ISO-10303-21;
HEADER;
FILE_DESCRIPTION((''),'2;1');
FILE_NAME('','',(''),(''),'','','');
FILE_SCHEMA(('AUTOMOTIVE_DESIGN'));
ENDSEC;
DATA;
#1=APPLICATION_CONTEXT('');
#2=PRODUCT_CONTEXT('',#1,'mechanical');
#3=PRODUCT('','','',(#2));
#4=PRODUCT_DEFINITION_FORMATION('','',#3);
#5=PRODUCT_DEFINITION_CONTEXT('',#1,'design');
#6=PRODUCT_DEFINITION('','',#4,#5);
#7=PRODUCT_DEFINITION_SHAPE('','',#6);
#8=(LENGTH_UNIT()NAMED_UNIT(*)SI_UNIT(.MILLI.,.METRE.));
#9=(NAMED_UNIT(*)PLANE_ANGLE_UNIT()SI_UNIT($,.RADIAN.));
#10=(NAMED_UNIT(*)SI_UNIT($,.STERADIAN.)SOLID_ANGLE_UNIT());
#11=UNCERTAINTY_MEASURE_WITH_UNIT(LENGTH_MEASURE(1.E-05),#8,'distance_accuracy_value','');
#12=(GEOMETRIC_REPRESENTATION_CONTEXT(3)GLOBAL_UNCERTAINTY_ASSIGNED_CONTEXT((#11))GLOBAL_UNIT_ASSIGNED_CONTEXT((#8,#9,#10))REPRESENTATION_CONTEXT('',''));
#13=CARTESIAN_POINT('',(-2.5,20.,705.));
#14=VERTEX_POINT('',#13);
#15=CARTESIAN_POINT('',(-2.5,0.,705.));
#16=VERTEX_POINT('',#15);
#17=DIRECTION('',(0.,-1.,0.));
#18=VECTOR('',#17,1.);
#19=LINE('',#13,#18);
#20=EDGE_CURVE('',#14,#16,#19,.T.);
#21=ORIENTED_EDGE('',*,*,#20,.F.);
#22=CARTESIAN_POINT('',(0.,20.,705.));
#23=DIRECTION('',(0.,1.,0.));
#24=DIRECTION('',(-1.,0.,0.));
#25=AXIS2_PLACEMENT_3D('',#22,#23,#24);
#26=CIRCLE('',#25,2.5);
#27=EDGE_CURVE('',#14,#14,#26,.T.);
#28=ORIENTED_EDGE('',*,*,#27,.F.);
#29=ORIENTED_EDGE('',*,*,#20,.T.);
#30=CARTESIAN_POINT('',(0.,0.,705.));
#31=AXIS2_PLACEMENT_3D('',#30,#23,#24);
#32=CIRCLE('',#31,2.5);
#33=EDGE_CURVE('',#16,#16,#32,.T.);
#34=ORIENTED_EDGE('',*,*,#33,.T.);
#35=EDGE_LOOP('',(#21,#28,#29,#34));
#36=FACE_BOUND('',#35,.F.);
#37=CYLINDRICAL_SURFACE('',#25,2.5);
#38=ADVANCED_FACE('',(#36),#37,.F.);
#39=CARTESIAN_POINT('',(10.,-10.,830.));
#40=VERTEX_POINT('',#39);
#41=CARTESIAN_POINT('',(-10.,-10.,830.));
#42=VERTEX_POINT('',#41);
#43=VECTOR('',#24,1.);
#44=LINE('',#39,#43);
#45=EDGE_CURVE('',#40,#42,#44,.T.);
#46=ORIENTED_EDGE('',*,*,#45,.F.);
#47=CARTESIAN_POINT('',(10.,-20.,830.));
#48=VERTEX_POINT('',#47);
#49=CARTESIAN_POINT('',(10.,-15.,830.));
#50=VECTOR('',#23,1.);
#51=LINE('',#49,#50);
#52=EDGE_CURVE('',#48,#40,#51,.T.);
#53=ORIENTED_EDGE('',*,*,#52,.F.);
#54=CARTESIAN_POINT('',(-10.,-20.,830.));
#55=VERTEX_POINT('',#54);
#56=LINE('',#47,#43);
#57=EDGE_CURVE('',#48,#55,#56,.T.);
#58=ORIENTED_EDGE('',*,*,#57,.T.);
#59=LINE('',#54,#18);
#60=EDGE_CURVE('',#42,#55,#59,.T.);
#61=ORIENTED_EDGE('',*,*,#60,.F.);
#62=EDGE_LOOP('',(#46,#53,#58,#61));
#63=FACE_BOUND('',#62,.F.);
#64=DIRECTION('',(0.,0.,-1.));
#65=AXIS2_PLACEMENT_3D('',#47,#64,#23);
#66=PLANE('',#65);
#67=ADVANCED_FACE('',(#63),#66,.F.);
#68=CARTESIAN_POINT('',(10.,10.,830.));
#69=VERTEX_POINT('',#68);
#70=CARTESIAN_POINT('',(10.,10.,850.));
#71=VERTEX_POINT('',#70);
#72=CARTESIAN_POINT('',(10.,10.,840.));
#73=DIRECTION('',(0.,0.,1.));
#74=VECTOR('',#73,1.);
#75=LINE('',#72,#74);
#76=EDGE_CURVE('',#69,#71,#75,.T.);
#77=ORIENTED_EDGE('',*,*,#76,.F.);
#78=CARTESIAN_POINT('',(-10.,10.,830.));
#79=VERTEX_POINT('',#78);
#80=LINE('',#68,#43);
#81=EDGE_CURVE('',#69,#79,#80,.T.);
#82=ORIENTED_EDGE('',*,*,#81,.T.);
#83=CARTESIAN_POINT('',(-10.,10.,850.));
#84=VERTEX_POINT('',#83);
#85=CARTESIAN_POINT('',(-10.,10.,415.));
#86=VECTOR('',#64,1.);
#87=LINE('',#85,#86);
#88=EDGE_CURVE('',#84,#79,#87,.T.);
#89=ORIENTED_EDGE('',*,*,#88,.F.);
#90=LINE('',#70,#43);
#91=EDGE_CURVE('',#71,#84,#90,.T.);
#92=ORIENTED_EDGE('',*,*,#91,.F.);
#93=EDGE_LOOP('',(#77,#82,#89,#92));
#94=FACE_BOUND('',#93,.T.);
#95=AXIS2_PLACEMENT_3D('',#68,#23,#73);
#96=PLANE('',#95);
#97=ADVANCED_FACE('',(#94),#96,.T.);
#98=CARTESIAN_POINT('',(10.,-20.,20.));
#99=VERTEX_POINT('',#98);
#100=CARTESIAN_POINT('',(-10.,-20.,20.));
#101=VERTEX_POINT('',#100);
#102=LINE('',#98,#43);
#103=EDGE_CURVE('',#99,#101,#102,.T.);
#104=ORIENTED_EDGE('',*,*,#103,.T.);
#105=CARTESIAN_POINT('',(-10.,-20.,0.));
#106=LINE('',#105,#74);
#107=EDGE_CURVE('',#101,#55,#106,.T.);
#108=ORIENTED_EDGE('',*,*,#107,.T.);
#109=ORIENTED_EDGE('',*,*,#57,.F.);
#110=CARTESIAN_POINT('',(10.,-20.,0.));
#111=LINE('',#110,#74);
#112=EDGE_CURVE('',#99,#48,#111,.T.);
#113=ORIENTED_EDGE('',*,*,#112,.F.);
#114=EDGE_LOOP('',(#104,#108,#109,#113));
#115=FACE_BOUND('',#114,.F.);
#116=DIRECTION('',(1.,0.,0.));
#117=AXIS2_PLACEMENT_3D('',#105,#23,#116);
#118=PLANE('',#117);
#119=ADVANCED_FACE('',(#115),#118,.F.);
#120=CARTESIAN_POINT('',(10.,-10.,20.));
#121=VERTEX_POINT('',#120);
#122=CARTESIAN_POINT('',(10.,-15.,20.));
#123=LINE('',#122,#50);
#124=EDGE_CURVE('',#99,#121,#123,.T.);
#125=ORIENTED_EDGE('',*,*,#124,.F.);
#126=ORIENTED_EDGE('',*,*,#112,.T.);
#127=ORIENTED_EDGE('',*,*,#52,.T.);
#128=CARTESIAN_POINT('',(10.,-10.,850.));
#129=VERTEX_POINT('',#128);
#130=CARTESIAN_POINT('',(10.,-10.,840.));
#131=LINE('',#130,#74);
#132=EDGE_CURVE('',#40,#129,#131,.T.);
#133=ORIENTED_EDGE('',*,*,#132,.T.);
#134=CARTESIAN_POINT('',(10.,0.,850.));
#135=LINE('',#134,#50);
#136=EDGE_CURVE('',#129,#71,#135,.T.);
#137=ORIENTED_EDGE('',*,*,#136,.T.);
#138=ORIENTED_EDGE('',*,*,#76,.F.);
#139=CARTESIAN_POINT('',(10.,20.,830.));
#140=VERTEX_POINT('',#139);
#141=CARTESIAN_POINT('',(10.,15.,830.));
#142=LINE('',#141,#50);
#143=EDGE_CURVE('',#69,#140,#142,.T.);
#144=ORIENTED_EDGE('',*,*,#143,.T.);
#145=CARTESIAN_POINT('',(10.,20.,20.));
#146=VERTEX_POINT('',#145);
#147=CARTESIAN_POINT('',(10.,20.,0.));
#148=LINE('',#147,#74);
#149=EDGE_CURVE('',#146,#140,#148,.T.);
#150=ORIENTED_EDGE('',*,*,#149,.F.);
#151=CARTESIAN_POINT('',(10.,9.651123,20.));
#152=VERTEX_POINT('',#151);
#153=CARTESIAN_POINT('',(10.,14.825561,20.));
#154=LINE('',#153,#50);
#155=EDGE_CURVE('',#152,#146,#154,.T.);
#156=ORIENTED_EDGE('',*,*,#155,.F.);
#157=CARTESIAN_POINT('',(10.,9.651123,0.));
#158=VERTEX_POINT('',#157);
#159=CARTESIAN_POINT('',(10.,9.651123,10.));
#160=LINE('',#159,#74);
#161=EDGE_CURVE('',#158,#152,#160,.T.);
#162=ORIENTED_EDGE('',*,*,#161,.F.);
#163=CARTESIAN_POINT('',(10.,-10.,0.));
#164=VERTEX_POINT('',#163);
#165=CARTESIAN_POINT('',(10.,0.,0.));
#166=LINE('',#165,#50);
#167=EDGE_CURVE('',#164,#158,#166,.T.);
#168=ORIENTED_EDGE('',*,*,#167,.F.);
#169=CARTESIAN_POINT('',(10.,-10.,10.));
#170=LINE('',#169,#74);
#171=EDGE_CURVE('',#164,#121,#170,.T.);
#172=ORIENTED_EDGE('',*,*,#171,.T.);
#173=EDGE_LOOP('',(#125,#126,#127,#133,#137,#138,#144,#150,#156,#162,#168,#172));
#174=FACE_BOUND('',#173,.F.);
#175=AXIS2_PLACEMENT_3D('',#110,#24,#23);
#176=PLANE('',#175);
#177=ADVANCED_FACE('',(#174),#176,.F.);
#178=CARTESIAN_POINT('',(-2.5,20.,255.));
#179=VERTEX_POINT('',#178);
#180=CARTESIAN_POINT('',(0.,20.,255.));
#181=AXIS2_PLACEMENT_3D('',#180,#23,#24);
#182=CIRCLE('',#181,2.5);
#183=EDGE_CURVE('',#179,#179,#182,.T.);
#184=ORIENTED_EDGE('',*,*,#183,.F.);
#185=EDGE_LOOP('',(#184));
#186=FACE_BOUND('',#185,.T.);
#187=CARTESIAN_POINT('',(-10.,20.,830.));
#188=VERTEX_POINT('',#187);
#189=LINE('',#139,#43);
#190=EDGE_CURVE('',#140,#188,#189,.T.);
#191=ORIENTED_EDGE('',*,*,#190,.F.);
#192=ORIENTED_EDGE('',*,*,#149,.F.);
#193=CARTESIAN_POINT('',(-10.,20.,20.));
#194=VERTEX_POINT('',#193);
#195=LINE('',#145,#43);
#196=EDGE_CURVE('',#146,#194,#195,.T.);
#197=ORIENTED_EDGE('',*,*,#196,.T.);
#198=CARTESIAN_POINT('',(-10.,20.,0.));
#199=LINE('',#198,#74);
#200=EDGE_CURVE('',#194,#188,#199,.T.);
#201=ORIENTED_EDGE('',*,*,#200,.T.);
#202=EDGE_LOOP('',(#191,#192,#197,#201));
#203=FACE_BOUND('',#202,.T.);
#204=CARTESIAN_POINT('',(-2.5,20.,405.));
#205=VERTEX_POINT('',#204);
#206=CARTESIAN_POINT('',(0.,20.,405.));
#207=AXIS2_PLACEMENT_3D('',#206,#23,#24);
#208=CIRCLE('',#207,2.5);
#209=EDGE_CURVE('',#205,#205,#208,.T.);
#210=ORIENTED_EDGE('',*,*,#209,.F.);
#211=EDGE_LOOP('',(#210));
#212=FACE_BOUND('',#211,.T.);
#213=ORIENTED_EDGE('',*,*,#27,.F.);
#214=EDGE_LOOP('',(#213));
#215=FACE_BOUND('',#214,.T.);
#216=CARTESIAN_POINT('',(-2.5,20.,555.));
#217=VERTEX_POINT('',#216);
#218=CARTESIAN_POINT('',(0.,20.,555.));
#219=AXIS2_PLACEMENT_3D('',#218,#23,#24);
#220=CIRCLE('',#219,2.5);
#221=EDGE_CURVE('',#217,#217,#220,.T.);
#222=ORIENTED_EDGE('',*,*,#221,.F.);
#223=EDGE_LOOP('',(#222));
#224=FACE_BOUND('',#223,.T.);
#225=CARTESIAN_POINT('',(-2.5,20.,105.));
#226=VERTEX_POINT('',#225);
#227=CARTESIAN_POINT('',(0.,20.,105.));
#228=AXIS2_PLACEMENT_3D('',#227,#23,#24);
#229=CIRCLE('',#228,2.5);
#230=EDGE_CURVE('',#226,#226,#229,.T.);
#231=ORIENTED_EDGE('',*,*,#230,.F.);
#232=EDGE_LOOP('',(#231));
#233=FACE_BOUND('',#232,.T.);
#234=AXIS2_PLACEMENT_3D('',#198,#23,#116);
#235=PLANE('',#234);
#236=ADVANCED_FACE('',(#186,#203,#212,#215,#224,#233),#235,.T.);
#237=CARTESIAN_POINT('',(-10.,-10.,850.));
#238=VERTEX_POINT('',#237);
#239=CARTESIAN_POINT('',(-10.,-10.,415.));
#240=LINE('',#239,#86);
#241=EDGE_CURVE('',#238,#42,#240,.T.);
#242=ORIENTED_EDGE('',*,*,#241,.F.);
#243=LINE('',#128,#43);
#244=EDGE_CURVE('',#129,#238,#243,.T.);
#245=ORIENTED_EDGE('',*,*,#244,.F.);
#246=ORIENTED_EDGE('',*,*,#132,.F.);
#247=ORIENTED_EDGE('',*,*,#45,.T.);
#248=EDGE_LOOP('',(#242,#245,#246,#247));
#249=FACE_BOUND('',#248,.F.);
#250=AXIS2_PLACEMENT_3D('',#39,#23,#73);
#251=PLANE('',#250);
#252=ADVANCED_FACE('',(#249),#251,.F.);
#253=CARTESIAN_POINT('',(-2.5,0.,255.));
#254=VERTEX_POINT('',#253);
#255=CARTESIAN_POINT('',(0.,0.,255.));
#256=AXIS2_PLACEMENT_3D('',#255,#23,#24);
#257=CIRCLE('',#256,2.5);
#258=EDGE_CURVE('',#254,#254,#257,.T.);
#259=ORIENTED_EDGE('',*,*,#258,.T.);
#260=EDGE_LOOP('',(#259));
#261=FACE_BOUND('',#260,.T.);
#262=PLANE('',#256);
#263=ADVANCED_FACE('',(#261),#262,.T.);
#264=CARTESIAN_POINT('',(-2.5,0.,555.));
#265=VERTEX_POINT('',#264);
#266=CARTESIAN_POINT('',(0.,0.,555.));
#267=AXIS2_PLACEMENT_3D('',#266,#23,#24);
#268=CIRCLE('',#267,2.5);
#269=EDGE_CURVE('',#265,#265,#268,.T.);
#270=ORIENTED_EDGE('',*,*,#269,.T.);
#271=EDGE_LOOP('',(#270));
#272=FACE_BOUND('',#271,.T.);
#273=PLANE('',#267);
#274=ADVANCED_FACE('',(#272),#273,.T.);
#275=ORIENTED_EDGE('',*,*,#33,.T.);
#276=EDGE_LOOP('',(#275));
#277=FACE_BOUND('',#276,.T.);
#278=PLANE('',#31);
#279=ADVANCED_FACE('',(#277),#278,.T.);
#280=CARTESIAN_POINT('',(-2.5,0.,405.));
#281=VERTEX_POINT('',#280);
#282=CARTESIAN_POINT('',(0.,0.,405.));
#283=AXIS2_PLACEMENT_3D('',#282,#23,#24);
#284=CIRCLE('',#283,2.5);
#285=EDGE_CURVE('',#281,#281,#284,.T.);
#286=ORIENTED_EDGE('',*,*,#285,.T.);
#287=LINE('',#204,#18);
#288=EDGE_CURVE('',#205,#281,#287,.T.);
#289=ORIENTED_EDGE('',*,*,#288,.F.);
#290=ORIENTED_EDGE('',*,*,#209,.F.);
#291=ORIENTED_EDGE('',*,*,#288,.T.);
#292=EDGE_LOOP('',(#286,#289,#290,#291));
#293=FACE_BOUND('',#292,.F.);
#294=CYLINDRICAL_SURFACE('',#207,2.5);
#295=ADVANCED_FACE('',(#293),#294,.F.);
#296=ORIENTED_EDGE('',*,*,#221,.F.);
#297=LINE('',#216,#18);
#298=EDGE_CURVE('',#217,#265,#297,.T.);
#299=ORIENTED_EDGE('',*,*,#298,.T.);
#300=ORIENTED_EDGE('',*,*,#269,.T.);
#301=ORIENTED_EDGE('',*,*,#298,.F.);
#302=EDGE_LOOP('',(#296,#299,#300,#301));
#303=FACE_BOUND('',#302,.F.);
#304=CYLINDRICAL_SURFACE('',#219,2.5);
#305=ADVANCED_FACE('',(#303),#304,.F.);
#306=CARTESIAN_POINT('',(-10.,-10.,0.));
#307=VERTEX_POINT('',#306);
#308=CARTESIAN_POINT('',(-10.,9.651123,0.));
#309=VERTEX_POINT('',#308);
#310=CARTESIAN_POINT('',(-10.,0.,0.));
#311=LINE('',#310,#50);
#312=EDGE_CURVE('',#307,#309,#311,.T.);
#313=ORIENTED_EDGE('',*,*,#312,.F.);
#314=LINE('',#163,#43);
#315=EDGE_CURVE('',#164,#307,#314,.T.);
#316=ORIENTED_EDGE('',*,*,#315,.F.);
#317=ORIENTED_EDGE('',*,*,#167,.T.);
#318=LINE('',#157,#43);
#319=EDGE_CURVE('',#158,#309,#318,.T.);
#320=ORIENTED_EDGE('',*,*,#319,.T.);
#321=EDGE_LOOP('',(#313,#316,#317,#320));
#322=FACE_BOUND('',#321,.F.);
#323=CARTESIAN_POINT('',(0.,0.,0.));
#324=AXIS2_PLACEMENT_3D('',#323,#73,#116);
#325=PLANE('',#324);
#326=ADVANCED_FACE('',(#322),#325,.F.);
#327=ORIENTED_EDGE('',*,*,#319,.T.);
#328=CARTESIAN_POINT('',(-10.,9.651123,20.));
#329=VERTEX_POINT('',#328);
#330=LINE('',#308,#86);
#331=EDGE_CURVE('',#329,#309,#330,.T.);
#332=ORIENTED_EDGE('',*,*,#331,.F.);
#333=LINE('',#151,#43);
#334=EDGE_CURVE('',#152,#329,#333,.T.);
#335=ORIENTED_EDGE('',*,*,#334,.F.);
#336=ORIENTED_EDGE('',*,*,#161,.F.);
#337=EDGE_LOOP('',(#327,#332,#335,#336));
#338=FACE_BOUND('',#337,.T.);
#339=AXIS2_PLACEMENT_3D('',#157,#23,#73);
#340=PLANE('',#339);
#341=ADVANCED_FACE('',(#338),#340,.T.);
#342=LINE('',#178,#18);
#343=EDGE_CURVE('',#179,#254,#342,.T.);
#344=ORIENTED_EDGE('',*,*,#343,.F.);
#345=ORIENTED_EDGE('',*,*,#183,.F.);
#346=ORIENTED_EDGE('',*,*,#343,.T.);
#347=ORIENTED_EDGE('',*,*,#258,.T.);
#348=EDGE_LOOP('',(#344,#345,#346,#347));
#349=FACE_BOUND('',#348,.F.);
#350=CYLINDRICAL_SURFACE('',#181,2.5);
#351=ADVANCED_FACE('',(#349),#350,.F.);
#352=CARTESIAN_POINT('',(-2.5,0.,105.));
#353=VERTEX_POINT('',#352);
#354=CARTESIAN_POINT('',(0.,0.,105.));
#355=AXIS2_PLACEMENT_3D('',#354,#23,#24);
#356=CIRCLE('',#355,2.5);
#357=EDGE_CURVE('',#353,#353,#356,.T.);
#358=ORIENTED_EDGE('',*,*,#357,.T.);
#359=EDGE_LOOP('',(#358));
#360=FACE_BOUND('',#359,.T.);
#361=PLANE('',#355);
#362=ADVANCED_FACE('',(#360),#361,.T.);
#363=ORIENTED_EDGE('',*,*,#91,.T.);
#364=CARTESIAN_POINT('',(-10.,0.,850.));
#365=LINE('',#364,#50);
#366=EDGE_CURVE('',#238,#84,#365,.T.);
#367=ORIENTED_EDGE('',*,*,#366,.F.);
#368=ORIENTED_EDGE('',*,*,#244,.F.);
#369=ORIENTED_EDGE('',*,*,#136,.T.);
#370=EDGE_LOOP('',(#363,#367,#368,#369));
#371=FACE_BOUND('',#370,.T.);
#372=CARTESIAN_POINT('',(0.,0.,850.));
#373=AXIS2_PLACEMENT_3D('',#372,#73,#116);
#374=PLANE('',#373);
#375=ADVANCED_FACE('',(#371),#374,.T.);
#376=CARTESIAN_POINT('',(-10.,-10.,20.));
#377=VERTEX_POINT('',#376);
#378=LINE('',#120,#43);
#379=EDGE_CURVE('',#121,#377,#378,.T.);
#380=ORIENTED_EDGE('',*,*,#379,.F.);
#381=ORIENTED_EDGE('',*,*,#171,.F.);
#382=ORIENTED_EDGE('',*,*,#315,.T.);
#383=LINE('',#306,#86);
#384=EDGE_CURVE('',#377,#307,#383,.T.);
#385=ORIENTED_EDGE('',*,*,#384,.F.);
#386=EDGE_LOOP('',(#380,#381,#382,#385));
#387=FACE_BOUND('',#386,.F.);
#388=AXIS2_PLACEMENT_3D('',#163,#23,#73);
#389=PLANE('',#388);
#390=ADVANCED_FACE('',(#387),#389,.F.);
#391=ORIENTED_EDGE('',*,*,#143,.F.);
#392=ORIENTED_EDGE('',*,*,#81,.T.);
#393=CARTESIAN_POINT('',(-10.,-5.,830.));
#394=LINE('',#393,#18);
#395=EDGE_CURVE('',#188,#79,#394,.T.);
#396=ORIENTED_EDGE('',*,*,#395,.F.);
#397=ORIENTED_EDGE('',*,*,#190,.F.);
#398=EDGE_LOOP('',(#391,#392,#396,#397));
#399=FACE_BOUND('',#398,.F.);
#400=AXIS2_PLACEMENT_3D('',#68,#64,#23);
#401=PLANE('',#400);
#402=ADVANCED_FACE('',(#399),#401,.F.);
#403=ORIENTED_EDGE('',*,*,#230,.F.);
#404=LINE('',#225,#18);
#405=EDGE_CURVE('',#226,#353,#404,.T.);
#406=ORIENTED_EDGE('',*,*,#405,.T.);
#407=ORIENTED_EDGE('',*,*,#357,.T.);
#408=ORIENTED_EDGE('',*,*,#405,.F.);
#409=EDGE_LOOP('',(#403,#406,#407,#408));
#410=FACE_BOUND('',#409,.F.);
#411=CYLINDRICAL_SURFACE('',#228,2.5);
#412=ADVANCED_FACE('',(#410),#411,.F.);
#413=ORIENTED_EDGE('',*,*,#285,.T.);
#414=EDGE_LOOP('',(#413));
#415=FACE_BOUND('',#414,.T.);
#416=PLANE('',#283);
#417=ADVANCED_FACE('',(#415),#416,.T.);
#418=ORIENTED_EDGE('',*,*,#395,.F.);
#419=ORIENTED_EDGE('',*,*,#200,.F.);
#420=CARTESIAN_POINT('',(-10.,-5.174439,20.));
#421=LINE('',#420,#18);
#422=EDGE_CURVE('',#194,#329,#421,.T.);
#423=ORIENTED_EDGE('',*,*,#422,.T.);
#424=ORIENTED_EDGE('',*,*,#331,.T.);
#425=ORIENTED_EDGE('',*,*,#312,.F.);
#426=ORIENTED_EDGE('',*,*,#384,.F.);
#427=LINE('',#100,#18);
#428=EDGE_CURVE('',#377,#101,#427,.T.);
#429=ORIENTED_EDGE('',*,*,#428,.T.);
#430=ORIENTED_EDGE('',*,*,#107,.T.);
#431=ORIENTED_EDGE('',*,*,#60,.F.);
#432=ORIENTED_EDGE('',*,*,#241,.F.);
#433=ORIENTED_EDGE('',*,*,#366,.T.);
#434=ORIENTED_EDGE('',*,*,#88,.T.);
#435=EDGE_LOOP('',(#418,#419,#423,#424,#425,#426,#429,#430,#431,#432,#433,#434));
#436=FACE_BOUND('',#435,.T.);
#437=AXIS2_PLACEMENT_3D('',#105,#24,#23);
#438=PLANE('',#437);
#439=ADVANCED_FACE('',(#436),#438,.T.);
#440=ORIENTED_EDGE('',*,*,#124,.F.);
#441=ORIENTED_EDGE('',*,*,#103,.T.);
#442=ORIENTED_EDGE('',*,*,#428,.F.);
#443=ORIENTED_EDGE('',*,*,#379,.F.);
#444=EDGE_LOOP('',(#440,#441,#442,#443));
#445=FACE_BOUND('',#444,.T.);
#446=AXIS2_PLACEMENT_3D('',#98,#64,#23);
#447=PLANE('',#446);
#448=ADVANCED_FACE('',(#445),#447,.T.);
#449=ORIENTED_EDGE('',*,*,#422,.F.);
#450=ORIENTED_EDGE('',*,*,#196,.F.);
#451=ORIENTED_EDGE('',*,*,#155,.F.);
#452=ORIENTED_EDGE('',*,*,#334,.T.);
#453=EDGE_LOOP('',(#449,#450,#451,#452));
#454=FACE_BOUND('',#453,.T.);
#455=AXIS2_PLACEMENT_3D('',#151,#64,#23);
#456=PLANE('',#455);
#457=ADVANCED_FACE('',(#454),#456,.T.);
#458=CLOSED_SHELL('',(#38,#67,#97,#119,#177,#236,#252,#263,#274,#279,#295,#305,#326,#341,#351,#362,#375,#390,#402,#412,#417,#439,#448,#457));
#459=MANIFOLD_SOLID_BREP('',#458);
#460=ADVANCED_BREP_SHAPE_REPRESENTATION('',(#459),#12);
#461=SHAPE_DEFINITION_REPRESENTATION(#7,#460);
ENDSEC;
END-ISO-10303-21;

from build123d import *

# Parameters (mm, degrees)
F0_W     = 20
F0_H     = 40
F1_DEPTH = 850
F2_R     = 2.5
F3_DEPTH = 20
F4_W     = 10
F4_H     = 20
F4_W_2   = 10.3488773853
F5_DEPTH = 500


with BuildPart() as f1:
    # F0 (on Top) → F1 (new body)
    with BuildSketch(Plane.XY):
        Rectangle(F0_W, F0_H)
    extrude(amount=F1_DEPTH)

    # F2 (on face) → F3 (cut)
    with BuildSketch(Plane(origin=(0, 20, 0), x_dir=(-1, 0, 0), z_dir=(0, 1, 0))):
        with Locations((0, 555)):
            Circle(F2_R)
        with Locations((0, 705)):
            Circle(F2_R)
        with Locations((0, 255)):
            Circle(F2_R)
        with Locations((0, 105)):
            Circle(F2_R)
        with Locations((0, 405)):
            Circle(F2_R)
    extrude(amount=-F3_DEPTH, mode=Mode.SUBTRACT)

    # F4 (on face) → F5 (cut)
    with BuildSketch(Plane.YZ.offset(10)):
        with Locations((-15, 840)):
            Rectangle(F4_W, F4_H)
        with Locations((15, 840)):
            Rectangle(F4_W, F4_H)
        with Locations((14.8255613074, 10)):
            Rectangle(F4_W_2, F4_H)
        with Locations((-15, 10)):
            Rectangle(F4_W, F4_H)
    extrude(amount=-F5_DEPTH, mode=Mode.SUBTRACT)


solid = f1.part
